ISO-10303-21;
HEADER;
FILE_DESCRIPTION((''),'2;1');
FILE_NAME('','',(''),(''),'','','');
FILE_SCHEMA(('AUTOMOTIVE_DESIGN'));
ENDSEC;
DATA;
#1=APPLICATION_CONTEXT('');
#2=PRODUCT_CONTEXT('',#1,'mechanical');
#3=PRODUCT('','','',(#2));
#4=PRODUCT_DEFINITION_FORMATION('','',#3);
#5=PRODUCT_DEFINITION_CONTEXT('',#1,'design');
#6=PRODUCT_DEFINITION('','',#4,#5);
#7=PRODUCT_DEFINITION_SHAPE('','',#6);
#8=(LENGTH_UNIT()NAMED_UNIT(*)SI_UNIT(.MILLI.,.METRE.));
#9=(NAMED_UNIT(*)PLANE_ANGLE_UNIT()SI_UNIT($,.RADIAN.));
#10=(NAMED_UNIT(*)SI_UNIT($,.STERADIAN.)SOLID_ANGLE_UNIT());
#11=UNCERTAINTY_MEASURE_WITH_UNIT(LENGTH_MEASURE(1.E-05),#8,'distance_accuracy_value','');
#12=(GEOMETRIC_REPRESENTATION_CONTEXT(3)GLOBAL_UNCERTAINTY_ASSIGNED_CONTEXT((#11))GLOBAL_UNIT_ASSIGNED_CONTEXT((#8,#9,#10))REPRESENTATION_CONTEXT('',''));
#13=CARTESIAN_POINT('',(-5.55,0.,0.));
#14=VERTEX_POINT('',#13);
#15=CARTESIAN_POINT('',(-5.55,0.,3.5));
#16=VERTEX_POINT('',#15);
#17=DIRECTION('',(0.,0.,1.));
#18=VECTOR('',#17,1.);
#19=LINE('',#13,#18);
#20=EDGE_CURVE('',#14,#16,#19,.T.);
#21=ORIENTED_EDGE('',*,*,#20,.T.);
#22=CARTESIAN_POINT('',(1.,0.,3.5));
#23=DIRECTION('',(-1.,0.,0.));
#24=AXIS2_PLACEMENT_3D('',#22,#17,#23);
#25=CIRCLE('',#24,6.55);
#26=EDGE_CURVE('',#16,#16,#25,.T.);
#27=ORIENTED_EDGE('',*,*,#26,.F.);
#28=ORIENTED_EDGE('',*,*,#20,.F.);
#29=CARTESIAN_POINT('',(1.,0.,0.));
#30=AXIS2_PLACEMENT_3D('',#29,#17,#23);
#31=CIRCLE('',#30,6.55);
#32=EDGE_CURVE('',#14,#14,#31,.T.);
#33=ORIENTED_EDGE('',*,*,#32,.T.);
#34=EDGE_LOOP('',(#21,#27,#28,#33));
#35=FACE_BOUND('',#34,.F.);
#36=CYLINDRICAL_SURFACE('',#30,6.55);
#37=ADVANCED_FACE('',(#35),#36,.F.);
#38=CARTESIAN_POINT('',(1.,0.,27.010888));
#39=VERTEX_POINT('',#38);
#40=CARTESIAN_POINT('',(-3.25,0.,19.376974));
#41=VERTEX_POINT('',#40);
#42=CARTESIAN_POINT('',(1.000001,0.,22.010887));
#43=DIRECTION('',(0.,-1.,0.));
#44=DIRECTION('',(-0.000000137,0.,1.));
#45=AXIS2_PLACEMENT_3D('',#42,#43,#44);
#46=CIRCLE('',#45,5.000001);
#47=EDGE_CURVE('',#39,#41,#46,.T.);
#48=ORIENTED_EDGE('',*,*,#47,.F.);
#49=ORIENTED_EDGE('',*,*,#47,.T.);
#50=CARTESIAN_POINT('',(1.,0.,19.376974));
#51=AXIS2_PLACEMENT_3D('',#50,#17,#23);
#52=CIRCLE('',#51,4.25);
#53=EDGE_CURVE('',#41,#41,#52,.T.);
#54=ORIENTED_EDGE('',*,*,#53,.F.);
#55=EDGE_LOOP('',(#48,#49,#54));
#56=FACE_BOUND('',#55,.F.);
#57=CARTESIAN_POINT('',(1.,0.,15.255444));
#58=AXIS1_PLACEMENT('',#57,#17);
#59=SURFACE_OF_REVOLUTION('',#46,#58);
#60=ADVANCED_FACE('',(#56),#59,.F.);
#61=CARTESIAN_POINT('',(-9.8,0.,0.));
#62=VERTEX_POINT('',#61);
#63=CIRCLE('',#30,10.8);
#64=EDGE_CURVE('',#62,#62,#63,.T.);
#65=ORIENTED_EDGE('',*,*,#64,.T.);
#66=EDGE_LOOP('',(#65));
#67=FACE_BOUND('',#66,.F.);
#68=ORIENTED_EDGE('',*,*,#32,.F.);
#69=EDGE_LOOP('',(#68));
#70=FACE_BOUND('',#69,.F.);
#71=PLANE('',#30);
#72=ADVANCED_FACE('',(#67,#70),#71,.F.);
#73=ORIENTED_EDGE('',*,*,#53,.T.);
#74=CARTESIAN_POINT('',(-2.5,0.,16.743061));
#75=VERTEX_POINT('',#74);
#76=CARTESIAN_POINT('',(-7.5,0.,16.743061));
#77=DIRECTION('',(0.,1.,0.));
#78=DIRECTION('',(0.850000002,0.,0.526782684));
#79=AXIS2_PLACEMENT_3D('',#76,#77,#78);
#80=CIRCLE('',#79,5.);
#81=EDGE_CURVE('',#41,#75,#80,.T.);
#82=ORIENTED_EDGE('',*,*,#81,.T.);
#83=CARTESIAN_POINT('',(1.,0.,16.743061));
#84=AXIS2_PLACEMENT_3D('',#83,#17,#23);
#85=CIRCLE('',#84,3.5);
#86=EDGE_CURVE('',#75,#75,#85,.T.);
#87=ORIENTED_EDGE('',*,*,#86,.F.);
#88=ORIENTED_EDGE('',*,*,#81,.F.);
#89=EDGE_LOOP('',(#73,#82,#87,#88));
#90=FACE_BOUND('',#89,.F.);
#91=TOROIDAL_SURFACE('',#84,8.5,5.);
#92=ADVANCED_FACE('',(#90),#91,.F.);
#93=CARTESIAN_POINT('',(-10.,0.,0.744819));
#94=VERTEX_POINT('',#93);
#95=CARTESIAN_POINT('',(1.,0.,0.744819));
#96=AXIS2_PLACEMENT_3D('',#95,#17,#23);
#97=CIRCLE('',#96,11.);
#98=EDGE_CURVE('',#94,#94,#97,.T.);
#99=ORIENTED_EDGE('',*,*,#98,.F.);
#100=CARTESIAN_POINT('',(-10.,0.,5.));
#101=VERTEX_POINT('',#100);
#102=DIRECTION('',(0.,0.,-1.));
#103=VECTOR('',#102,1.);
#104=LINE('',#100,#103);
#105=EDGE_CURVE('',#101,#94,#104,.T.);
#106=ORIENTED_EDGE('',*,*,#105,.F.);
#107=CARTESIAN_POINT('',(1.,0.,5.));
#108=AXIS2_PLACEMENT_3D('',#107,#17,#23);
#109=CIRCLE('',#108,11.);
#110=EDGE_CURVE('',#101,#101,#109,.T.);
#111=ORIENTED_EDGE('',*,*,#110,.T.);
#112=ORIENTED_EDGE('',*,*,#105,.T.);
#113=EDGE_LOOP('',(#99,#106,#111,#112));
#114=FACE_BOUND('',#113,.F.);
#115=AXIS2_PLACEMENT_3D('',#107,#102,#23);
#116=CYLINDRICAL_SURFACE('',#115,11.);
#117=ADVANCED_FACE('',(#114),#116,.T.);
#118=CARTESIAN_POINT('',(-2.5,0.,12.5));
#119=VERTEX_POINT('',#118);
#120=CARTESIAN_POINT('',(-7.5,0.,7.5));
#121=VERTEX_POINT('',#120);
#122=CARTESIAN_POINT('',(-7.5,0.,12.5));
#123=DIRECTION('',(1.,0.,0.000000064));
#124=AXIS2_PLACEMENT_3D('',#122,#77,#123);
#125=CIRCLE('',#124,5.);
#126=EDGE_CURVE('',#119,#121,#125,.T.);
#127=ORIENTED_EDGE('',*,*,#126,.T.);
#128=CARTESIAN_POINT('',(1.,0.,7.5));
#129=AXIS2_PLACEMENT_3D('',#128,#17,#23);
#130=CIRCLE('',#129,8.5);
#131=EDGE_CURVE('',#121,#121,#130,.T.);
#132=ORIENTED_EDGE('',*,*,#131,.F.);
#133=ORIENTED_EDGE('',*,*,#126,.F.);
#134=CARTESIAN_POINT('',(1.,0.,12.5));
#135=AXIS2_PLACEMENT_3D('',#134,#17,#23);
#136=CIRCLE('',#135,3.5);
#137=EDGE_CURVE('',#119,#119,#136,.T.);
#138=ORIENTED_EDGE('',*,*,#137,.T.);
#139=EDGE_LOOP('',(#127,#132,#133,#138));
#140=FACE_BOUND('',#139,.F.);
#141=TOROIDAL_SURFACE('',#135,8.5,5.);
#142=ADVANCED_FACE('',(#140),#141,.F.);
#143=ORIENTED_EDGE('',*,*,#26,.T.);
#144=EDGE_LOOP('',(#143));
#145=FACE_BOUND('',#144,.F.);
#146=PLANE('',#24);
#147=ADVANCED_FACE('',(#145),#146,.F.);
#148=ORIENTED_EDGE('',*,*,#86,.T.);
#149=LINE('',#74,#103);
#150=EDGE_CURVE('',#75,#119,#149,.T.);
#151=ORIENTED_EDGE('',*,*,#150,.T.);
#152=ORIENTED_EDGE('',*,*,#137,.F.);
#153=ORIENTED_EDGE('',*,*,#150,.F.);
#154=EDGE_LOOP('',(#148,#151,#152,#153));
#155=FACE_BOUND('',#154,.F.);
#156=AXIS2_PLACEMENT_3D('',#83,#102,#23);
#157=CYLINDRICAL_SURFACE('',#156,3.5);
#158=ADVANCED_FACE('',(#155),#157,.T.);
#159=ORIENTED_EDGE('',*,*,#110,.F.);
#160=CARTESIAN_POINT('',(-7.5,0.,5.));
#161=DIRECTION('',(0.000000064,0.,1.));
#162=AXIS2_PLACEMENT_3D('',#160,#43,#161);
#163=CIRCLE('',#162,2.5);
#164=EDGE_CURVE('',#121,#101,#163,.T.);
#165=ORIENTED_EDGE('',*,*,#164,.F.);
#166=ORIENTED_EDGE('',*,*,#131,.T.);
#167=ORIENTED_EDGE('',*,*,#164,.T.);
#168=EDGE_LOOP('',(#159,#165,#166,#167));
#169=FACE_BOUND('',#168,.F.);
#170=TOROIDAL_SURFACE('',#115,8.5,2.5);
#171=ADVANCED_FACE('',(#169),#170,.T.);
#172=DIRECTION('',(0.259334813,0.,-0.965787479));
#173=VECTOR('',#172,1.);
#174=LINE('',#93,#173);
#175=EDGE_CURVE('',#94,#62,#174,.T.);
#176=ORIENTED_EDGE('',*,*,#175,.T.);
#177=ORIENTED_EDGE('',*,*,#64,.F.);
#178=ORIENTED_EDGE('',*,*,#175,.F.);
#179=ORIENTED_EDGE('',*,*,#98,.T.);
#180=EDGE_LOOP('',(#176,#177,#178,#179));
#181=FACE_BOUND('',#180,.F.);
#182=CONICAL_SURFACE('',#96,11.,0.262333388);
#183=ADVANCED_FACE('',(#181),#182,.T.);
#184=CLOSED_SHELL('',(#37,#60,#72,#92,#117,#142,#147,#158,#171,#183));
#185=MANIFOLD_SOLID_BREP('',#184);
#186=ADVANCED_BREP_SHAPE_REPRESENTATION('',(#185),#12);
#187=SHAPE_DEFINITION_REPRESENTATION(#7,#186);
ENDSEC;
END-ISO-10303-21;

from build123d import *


with BuildPart() as f1:
    # F0 (on Front) → F1 (revolve)
    with BuildSketch(Plane.XZ):
        with BuildLine():
            Line((-5.55, 3.5), (1, 3.5))
            Line((1, 3.5), (1, 27.010888))
            ThreePointArc((1, 27.010888), (-3.368613, 24.44301), (-3.25, 19.376974))
            ThreePointArc((-3.25, 19.376974), (-2.691154, 18.112367), (-2.5, 16.743061))
            Line((-2.5, 16.743061), (-2.5, 12.5))
            ThreePointArc((-2.5, 12.5), (-3.964466, 8.964466), (-7.5, 7.5))
            ThreePointArc((-7.5, 7.5), (-9.267767, 6.767767), (-10, 5))
            Line((-10, 5), (-10, 0.744819))
            Line((-10, 0.744819), (-9.8, 0))
            Line((-9.8, 0), (-5.55, 0))
            Line((-5.55, 0), (-5.55, 3.5))
        make_face()
    revolve(axis=Axis((1, 0, 15.255444), (0, 0, 1)))


solid = f1.part
